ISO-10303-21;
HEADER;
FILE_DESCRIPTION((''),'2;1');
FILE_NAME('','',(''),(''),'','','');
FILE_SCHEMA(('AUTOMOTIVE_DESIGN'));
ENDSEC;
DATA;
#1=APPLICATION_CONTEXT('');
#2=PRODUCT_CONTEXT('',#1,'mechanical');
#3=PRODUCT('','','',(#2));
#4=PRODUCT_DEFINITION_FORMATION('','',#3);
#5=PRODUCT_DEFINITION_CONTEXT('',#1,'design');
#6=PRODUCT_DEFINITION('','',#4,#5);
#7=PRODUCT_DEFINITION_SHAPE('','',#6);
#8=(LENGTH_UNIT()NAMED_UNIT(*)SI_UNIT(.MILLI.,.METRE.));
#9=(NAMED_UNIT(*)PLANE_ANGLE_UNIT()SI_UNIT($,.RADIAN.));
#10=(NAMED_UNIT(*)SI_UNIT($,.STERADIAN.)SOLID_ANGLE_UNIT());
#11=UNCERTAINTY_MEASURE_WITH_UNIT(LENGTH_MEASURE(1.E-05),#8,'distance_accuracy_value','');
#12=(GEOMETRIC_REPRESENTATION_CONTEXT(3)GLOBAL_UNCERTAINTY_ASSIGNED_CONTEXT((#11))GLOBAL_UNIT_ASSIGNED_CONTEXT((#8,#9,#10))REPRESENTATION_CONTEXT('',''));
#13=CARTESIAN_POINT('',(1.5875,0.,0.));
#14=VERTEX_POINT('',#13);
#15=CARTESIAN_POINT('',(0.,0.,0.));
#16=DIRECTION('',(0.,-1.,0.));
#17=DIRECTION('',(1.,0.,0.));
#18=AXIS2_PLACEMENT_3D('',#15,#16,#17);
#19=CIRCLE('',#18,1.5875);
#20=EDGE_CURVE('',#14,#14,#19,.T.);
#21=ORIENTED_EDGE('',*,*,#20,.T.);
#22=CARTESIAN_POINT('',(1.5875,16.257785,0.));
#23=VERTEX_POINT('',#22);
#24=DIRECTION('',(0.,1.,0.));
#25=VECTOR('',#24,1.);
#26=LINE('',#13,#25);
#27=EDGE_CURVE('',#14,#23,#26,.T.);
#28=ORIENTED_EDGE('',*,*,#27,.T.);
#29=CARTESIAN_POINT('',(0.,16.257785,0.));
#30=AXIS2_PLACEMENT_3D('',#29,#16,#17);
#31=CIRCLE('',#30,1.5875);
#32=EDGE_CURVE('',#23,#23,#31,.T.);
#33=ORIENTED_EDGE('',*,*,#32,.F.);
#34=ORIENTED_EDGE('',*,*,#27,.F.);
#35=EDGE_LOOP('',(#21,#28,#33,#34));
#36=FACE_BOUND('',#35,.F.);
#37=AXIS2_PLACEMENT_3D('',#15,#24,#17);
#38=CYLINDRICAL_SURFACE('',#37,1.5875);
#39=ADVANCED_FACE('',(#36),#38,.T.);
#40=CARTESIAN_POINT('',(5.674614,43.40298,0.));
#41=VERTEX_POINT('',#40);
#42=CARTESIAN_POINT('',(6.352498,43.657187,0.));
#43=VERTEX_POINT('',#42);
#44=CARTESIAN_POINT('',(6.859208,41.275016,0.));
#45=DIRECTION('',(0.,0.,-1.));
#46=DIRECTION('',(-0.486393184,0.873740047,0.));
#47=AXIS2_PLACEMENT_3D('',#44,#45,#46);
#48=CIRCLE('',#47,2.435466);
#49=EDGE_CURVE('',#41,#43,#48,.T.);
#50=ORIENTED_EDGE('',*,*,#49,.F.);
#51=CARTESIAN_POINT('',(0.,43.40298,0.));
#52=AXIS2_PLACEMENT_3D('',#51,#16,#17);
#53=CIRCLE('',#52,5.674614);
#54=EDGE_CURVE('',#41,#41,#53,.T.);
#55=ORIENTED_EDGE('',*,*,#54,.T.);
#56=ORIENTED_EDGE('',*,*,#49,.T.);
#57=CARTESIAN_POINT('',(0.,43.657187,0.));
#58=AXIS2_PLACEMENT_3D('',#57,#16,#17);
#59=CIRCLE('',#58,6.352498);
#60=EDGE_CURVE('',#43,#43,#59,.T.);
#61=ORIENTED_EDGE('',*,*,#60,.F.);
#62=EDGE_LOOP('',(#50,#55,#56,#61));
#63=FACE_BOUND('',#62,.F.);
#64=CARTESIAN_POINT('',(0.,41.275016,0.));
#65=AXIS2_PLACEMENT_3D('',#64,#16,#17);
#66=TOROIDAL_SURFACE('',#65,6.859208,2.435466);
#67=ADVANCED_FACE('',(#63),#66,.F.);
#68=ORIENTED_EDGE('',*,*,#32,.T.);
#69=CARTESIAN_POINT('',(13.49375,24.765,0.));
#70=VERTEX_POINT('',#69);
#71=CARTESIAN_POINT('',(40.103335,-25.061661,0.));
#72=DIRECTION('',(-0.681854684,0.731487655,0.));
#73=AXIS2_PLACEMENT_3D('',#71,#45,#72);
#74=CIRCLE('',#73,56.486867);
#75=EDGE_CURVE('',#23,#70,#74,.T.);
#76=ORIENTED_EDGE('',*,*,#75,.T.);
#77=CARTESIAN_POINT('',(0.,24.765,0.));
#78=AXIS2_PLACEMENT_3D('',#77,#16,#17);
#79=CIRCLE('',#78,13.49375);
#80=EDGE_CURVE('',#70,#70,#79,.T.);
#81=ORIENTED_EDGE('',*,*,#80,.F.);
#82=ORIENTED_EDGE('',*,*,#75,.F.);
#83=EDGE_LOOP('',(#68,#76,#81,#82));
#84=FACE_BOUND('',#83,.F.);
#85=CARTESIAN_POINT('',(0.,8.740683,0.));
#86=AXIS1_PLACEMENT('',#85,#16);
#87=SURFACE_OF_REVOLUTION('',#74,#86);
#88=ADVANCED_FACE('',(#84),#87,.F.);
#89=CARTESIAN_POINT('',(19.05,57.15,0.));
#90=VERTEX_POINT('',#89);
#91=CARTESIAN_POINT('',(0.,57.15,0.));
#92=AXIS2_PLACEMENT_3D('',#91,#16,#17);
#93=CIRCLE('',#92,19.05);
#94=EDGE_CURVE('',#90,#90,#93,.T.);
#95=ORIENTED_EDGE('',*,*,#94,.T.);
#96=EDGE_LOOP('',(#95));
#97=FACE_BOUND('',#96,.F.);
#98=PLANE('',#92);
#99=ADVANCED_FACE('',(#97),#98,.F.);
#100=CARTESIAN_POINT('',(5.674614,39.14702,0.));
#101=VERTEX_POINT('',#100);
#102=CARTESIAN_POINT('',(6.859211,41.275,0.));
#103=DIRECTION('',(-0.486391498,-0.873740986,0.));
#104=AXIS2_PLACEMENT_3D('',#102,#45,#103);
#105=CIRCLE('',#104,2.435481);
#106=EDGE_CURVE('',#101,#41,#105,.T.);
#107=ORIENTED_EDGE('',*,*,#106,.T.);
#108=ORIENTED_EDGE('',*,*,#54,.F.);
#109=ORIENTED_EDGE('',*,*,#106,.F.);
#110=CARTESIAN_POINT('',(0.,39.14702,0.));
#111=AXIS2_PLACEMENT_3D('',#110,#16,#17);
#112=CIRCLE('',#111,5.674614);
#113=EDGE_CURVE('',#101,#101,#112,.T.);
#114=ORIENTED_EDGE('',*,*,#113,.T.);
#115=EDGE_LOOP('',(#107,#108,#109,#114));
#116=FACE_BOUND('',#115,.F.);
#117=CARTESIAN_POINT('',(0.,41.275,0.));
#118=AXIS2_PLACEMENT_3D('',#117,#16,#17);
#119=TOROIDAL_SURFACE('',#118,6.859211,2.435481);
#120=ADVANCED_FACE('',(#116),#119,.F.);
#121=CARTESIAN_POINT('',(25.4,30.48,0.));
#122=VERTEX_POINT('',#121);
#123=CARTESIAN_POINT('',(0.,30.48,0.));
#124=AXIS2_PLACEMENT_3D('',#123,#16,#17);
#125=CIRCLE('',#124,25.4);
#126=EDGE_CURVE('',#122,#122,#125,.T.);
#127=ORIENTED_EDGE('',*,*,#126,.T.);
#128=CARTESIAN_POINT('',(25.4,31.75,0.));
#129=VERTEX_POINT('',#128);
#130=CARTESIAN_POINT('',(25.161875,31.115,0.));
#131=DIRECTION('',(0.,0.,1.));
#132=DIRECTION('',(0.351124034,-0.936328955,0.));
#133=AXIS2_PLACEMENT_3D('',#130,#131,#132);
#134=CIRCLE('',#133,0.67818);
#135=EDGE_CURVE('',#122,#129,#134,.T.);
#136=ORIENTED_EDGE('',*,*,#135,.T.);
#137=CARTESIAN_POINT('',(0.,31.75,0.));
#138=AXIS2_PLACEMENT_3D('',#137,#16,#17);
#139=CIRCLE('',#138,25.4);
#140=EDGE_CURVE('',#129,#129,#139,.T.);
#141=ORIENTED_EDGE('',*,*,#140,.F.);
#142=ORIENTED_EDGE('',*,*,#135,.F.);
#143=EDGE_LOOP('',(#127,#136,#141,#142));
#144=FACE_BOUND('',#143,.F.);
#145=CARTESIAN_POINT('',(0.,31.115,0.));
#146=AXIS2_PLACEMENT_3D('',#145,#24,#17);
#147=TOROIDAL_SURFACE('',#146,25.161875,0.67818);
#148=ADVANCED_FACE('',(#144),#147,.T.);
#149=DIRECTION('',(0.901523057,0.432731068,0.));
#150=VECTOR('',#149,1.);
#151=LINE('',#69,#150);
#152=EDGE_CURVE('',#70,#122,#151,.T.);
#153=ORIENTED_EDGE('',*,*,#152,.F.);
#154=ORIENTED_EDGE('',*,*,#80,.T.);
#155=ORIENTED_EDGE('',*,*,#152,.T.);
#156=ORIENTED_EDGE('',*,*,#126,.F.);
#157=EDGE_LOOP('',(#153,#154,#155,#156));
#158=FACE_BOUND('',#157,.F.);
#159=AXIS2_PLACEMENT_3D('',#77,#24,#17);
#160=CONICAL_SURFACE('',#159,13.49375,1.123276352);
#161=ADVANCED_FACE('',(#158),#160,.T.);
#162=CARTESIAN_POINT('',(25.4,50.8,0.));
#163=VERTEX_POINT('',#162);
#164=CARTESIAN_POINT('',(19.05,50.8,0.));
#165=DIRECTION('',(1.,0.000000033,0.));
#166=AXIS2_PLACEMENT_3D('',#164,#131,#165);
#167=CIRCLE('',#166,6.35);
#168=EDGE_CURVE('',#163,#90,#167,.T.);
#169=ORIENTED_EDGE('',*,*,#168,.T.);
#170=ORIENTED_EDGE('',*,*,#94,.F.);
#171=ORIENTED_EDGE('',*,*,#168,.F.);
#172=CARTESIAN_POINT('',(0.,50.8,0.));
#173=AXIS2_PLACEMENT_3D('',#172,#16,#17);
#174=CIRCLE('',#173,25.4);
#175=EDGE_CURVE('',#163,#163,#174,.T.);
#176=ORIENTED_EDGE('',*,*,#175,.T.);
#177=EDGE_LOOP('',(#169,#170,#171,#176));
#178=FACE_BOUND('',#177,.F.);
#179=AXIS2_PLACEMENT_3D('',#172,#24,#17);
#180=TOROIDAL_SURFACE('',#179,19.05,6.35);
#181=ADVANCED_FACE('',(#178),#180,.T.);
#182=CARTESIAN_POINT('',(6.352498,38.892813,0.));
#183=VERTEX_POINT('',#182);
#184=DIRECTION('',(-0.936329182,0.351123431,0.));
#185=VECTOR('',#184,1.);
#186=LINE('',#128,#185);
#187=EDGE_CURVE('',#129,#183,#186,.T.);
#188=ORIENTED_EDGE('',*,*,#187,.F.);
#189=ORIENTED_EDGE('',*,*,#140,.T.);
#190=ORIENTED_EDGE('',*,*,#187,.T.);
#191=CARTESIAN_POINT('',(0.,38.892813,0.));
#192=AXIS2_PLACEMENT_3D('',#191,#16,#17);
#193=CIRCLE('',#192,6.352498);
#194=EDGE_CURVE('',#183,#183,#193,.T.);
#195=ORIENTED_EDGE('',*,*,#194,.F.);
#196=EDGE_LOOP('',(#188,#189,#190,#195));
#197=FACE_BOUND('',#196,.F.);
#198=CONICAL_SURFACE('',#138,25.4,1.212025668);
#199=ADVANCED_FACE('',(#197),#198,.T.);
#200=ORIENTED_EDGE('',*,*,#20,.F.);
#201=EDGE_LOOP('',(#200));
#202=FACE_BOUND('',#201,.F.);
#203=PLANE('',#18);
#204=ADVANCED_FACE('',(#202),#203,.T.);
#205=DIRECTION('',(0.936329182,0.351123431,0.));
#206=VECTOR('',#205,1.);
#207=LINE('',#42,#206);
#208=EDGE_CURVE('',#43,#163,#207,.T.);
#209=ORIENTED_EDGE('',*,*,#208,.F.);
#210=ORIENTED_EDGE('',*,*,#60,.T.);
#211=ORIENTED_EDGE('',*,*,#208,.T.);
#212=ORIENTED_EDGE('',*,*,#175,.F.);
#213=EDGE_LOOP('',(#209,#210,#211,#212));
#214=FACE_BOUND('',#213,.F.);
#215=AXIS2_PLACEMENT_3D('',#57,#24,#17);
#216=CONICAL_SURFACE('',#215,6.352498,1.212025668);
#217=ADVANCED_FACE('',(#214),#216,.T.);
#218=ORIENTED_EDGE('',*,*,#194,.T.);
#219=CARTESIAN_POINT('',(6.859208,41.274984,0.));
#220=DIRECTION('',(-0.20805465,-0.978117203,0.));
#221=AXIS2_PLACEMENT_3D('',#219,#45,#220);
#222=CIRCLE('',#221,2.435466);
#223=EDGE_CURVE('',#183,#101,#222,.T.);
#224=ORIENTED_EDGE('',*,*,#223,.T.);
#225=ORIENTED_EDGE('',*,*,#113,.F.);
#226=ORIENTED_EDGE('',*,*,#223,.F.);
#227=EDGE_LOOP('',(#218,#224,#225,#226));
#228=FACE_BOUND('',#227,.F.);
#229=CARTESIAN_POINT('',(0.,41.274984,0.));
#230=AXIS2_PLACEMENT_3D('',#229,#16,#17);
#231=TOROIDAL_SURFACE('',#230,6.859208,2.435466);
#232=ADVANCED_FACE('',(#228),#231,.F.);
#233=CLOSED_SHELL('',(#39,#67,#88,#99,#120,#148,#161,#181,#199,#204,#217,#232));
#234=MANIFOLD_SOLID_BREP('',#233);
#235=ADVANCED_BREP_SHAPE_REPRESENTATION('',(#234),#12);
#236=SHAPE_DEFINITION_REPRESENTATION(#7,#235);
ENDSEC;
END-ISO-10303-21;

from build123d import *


with BuildPart() as f1:
    # F0 (on Top) → F1 (revolve)
    with BuildSketch(Plane.XY):
        with BuildLine():
            Line((0, 19.05), (0, 0))
            Line((0, 0), (1.5875, 0))
            Line((1.5875, 0), (1.5875, 16.257785))
            ThreePointArc((1.5875, 16.257785), (7.26398, 20.898571), (13.49375, 24.765))
            Line((13.49375, 24.765), (25.4, 30.48))
            ThreePointArc((25.4, 30.48), (25.840055, 31.115), (25.4, 31.75))
            Line((25.4, 31.75), (6.352498, 38.892813))
            ThreePointArc((6.352498, 38.892813), (6.004057, 38.994587), (5.674614, 39.14702))
            ThreePointArc((5.674614, 39.14702), (4.42373, 41.275), (5.674614, 43.40298))
            ThreePointArc((5.674614, 43.40298), (6.004057, 43.555413), (6.352498, 43.657187))
            Line((6.352498, 43.657187), (25.4, 50.8))
            ThreePointArc((25.4, 50.8), (23.540128, 55.290128), (19.05, 57.15))
            Line((19.05, 57.15), (0, 57.15))
            Line((0, 57.15), (0, 50.8))
            Line((0, 50.8), (0, 37.471939))
            Line((0, 37.471939), (0, 31.75))
            Line((0, 31.75), (0, 19.05))
        make_face()
    revolve(axis=Axis((0, 8.740683, 0), (0, -1, 0)))


solid = f1.part
